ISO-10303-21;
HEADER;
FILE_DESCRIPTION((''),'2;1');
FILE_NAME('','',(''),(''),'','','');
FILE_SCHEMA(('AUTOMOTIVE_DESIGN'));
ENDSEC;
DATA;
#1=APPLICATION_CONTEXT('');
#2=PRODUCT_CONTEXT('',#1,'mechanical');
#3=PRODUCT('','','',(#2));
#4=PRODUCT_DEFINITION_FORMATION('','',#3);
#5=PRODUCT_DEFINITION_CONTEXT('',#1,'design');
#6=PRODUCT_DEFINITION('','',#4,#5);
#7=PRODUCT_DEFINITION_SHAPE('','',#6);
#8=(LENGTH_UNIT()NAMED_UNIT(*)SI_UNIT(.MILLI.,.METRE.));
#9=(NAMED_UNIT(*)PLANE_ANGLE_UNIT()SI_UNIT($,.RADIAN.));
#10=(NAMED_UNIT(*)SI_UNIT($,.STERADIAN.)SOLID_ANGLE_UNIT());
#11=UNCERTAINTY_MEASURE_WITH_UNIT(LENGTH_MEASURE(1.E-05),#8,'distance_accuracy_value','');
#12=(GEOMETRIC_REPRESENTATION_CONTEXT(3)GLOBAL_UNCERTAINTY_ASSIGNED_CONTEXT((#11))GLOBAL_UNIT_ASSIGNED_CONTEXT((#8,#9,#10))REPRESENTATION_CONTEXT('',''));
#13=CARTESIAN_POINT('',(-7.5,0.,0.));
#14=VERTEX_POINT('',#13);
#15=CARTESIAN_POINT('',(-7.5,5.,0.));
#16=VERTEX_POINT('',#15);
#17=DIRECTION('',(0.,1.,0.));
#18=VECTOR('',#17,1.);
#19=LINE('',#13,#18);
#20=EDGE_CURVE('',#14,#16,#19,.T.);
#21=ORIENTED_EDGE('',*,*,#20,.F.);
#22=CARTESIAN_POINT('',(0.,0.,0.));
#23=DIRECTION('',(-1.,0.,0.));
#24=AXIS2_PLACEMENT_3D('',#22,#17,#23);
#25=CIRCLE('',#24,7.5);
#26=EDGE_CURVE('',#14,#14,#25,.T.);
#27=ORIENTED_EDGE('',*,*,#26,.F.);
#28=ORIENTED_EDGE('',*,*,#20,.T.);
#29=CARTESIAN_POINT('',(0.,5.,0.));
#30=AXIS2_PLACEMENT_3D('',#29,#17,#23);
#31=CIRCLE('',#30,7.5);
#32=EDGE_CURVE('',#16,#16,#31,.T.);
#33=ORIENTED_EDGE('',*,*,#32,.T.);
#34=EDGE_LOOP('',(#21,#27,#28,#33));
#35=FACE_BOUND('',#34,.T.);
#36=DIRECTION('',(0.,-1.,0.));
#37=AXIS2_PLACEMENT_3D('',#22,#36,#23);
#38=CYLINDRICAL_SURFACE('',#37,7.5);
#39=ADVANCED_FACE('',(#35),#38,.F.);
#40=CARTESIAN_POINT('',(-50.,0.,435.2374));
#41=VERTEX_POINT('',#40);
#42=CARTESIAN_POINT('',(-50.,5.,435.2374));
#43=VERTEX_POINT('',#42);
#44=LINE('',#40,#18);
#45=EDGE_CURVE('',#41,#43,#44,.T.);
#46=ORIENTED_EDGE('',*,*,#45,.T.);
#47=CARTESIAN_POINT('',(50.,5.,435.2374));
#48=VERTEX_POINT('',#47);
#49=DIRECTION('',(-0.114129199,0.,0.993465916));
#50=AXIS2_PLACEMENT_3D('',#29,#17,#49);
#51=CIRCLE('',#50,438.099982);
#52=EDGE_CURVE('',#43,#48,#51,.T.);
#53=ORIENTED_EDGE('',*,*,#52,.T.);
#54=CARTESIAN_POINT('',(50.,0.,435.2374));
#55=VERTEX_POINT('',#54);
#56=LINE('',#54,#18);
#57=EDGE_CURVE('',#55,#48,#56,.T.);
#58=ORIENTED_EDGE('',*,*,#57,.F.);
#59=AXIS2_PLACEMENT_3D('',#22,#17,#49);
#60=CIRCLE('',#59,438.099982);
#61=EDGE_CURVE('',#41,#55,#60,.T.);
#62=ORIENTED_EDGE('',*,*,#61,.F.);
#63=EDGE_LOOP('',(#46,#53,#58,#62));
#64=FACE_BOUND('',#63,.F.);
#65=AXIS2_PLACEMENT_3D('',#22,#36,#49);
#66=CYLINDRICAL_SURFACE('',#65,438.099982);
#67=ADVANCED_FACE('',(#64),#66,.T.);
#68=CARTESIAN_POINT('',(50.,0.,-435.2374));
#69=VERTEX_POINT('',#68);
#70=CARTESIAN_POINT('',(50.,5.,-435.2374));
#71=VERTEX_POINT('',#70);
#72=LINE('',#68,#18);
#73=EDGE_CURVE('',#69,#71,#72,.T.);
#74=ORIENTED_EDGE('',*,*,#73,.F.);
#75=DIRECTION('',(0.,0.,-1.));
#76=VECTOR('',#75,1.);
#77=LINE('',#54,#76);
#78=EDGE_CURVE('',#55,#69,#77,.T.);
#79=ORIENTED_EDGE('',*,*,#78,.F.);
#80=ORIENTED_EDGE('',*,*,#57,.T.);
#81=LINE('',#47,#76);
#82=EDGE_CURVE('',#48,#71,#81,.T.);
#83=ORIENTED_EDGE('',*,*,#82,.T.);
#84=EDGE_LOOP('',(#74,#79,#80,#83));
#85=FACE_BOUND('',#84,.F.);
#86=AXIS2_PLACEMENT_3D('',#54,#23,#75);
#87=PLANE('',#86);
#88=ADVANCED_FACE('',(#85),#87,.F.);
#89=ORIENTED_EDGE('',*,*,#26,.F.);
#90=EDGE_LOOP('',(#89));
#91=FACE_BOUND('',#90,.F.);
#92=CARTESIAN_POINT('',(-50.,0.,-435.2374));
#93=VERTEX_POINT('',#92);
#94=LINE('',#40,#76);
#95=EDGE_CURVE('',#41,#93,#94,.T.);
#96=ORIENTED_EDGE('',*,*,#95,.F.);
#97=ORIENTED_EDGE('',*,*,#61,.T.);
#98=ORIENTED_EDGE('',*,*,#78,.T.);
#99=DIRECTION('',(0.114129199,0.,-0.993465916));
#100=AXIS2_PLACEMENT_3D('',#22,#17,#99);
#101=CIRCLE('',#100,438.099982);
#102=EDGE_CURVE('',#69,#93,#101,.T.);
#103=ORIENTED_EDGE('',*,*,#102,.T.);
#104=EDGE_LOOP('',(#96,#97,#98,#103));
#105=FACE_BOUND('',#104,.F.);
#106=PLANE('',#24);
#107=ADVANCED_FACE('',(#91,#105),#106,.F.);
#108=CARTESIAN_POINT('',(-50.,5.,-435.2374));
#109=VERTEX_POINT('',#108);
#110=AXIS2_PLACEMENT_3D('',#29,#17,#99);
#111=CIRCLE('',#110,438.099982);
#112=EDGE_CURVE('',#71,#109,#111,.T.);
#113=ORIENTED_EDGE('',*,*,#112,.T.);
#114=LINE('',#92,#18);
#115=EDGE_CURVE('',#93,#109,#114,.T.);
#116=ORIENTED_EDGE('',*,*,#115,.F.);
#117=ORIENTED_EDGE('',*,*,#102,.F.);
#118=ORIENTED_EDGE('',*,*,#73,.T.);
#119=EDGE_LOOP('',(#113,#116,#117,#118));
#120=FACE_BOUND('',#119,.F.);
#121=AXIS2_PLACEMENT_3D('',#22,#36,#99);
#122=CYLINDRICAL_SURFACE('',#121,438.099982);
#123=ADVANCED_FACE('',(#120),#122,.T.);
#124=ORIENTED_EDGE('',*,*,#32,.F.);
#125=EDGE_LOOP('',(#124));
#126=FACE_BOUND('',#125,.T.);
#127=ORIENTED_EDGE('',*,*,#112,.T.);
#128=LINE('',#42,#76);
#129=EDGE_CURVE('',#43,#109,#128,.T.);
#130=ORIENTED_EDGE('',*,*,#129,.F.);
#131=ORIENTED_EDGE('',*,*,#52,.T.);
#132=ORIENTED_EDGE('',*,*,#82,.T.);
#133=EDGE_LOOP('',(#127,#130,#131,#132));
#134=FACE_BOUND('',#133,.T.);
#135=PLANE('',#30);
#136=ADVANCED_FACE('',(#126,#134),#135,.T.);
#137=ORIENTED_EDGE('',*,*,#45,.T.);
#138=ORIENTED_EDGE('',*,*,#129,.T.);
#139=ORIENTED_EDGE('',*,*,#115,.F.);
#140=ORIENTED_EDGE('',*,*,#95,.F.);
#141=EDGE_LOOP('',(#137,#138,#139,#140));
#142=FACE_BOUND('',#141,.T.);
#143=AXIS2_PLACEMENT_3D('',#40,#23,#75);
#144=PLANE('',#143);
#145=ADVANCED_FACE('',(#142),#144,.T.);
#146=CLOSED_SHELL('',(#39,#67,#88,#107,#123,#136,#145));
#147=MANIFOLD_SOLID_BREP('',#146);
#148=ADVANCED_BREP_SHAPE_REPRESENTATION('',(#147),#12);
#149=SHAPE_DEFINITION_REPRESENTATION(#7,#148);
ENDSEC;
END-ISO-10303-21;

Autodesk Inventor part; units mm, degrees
ref_plane "YZ Plane" through (0, 0, 0) normal (1, 0, 0) x (0, 1, 0)
ref_plane "XZ Plane" through (0, 0, 0) normal (0, 1, 0) x (-1, 0, 0)
ref_plane "XY Plane" through (0, 0, 0) normal (0, 0, 1) x (1, 0, 0)
sketch "Sketch1" plane through (0, 0, 0) normal (0, 1, 0) x (-1, 0, 0)
  line L0 (0, 272.2446) -> (0, -272.2446) construction
  line L1 (50, 435.2374) -> (50, -435.2374)
  line L2 (-50, 435.2374) -> (-50, -435.2374)
  arc A0 (50, 435.2374) -> (-50, 435.2374) centre (0, 0) ccw
  arc A1 (-50, -435.2374) -> (50, -435.2374) centre (0, 0) ccw
  circle A2 centre (0, 0) radius 7.5
  dimension "d1" = 438.1
  dimension "d2" = 438.1
  dimension "d3" = 100
  dimension "d6" = 15
extrude "Extrusion1" add sketch "Sketch1" along normal blind 5
properties part number "rotorV1"
